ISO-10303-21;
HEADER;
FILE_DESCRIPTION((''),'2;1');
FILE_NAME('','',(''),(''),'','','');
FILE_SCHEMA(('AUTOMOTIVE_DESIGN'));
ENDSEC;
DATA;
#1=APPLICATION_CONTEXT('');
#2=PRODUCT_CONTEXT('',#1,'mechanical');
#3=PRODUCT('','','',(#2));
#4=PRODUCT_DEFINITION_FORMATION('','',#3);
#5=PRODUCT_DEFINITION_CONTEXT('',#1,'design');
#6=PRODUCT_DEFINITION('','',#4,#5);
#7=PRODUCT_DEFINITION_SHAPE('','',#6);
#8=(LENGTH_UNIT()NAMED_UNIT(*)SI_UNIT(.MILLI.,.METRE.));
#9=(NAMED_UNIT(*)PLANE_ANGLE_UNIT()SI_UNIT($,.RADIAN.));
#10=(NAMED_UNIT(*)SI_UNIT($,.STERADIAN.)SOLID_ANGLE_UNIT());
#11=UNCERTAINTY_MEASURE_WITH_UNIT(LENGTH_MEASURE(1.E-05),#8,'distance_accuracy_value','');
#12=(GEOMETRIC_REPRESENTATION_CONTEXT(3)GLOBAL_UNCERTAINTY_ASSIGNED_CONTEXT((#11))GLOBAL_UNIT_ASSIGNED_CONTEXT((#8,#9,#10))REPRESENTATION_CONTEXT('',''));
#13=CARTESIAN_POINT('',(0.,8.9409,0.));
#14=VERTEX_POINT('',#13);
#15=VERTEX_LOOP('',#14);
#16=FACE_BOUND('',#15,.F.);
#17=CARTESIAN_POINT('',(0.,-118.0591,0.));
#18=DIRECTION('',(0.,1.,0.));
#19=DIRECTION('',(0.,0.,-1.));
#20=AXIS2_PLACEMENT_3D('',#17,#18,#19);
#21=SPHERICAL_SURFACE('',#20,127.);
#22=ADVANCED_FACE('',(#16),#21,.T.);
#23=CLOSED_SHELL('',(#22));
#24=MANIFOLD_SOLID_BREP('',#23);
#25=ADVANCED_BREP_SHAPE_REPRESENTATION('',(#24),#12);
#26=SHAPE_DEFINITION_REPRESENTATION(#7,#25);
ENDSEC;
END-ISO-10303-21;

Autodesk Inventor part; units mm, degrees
ref_plane "YZ Plane" through (0, 0, 0) normal (1, 0, 0) x (0, 1, 0)
ref_plane "XZ Plane" through (0, 0, 0) normal (0, 1, 0) x (-1, 0, 0)
ref_plane "XY Plane" through (0, 0, 0) normal (0, 0, 1) x (1, 0, 0)
sketch "Sketch1" plane through (0, 0, 0) normal (1, 0, 0) x (0, 1, 0)
  line L0 (8.9409, 0) -> (-245.0591, 0)
  line L1 (-245.0591, 0) -> (8.9409, 0)
  arc A0 (-245.0591, 0) -> (8.9409, 0) centre (-118.0591, 0) ccw
  point P0 (0, 0)
  dimension "d0" = 254
revolve "Revolution1" add sketch "Sketch1" angle 360 about axis through (0, 8.9409, 0) along (0, -1, 0)
properties part number "ball"
